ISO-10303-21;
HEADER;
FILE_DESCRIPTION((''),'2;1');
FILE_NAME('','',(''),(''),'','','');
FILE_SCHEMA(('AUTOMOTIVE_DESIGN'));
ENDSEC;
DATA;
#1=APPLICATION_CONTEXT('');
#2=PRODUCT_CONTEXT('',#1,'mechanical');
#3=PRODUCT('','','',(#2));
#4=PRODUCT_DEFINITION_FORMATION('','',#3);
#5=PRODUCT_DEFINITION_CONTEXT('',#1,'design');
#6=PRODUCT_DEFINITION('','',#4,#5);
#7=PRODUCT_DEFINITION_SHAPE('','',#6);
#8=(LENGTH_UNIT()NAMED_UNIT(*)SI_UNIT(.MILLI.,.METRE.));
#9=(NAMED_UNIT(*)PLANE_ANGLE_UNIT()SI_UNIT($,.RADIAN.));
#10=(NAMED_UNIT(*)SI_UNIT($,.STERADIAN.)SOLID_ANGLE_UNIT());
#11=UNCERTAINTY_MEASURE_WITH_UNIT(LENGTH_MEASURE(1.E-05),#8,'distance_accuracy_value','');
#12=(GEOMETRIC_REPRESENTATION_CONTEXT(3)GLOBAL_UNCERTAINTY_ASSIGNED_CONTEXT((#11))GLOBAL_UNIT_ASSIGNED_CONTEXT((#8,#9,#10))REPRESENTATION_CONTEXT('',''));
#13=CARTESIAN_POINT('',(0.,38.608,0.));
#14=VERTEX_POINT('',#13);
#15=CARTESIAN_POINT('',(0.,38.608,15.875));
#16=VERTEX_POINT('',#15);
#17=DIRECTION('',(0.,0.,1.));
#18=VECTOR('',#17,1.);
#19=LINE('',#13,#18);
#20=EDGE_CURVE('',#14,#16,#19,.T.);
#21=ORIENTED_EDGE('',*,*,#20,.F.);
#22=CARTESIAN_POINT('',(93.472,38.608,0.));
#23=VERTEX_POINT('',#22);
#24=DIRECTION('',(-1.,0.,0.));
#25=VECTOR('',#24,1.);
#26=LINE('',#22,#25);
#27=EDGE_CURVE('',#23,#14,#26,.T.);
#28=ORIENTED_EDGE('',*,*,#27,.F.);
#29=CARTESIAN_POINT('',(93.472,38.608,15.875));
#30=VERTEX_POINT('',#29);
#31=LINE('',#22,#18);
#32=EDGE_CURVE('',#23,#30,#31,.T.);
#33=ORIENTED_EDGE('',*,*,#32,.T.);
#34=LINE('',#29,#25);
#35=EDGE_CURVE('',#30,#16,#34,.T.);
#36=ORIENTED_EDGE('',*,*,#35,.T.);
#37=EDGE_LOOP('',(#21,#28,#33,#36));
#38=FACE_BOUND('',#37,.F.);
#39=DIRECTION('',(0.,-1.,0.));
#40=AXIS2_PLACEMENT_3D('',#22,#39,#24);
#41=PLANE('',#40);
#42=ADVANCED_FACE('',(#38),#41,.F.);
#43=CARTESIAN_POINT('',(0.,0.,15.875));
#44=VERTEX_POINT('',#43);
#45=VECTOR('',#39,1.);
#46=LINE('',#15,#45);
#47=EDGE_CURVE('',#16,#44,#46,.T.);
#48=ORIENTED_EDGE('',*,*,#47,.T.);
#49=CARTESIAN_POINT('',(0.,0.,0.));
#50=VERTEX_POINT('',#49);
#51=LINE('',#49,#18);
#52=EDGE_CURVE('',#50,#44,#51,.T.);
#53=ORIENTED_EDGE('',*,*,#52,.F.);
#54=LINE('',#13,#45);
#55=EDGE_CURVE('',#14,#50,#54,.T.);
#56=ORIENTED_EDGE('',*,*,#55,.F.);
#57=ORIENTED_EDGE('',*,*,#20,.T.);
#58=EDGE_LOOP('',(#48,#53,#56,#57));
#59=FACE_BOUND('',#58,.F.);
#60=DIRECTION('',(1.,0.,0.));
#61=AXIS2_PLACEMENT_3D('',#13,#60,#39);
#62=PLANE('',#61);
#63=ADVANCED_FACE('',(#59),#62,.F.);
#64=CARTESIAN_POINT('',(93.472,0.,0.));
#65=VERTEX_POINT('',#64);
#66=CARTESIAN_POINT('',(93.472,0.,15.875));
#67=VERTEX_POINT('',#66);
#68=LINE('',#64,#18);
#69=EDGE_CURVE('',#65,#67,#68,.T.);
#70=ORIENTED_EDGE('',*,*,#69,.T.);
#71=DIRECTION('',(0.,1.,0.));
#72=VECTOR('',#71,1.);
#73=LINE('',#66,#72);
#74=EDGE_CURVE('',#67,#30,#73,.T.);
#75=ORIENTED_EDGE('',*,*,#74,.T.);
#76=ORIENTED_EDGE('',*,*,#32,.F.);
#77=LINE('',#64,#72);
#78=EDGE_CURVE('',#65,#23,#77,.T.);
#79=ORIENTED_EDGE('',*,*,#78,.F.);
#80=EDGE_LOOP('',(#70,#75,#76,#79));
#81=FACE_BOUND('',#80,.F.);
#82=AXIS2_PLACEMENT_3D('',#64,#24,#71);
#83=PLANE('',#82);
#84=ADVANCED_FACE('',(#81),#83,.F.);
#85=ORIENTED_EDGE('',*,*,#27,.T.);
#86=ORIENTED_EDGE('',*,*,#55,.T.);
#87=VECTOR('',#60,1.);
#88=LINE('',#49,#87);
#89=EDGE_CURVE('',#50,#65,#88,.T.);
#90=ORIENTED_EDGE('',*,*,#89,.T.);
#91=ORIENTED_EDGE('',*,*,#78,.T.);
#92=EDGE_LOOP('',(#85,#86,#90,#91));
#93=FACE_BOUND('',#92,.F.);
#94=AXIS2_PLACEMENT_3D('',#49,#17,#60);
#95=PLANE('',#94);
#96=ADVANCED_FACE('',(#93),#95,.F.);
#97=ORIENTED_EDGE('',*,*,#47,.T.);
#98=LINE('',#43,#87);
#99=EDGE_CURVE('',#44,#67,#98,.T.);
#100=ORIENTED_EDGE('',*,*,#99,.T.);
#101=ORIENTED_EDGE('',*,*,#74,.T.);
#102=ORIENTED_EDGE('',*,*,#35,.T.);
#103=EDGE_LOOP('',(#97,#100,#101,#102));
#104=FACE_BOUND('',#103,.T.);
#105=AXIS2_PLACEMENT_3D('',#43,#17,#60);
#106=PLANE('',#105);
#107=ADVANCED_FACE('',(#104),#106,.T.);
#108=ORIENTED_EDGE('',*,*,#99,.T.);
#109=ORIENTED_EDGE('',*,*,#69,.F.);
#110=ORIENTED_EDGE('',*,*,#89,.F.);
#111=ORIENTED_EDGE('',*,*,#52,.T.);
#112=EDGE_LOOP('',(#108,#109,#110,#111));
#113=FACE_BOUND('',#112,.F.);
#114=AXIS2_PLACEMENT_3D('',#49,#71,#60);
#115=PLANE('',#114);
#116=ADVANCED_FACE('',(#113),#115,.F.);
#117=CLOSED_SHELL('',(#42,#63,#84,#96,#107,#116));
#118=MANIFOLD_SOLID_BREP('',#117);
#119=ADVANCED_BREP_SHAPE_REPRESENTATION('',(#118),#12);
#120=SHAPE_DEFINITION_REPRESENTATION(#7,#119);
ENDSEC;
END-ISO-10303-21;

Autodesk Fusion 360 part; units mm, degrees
sketch "Sketch1" plane through (0, 0, 0) normal (0, 0, 1) x (1, 0, 0)
  line L0 (0, 0) -> (93.472, 0)
  line L1 (93.472, 0) -> (93.472, 38.608)
  line L2 (93.472, 38.608) -> (0, 38.608)
  line L3 (0, 38.608) -> (0, 0)
  dimension "d1" = 93.472
  dimension "d2" = 38.608
extrude "Extrude1" add sketch "Sketch1" along normal blind 15.875
sketch "Sketch2" plane through (0, 0, 15.875) normal (0, 0, 1) x (-1, 0, 0)
  line L0 (0, -38.608) -> (0, 0)
  line L1 (0, 0) -> (-93.472, 0)
  line L2 (-93.472, 0) -> (-93.472, -38.608)
  line L3 (-93.472, -38.608) -> (0, -38.608)
  point P0 (-46.736, -19.304)
  dimension "d8" = 38.608
  dimension "d9" = 93.472
  dimension "d10" = 46.736
  dimension "d11" = 19.304
equation "d10 = d9 / 2"
equation "d11 = d8 / 2"
